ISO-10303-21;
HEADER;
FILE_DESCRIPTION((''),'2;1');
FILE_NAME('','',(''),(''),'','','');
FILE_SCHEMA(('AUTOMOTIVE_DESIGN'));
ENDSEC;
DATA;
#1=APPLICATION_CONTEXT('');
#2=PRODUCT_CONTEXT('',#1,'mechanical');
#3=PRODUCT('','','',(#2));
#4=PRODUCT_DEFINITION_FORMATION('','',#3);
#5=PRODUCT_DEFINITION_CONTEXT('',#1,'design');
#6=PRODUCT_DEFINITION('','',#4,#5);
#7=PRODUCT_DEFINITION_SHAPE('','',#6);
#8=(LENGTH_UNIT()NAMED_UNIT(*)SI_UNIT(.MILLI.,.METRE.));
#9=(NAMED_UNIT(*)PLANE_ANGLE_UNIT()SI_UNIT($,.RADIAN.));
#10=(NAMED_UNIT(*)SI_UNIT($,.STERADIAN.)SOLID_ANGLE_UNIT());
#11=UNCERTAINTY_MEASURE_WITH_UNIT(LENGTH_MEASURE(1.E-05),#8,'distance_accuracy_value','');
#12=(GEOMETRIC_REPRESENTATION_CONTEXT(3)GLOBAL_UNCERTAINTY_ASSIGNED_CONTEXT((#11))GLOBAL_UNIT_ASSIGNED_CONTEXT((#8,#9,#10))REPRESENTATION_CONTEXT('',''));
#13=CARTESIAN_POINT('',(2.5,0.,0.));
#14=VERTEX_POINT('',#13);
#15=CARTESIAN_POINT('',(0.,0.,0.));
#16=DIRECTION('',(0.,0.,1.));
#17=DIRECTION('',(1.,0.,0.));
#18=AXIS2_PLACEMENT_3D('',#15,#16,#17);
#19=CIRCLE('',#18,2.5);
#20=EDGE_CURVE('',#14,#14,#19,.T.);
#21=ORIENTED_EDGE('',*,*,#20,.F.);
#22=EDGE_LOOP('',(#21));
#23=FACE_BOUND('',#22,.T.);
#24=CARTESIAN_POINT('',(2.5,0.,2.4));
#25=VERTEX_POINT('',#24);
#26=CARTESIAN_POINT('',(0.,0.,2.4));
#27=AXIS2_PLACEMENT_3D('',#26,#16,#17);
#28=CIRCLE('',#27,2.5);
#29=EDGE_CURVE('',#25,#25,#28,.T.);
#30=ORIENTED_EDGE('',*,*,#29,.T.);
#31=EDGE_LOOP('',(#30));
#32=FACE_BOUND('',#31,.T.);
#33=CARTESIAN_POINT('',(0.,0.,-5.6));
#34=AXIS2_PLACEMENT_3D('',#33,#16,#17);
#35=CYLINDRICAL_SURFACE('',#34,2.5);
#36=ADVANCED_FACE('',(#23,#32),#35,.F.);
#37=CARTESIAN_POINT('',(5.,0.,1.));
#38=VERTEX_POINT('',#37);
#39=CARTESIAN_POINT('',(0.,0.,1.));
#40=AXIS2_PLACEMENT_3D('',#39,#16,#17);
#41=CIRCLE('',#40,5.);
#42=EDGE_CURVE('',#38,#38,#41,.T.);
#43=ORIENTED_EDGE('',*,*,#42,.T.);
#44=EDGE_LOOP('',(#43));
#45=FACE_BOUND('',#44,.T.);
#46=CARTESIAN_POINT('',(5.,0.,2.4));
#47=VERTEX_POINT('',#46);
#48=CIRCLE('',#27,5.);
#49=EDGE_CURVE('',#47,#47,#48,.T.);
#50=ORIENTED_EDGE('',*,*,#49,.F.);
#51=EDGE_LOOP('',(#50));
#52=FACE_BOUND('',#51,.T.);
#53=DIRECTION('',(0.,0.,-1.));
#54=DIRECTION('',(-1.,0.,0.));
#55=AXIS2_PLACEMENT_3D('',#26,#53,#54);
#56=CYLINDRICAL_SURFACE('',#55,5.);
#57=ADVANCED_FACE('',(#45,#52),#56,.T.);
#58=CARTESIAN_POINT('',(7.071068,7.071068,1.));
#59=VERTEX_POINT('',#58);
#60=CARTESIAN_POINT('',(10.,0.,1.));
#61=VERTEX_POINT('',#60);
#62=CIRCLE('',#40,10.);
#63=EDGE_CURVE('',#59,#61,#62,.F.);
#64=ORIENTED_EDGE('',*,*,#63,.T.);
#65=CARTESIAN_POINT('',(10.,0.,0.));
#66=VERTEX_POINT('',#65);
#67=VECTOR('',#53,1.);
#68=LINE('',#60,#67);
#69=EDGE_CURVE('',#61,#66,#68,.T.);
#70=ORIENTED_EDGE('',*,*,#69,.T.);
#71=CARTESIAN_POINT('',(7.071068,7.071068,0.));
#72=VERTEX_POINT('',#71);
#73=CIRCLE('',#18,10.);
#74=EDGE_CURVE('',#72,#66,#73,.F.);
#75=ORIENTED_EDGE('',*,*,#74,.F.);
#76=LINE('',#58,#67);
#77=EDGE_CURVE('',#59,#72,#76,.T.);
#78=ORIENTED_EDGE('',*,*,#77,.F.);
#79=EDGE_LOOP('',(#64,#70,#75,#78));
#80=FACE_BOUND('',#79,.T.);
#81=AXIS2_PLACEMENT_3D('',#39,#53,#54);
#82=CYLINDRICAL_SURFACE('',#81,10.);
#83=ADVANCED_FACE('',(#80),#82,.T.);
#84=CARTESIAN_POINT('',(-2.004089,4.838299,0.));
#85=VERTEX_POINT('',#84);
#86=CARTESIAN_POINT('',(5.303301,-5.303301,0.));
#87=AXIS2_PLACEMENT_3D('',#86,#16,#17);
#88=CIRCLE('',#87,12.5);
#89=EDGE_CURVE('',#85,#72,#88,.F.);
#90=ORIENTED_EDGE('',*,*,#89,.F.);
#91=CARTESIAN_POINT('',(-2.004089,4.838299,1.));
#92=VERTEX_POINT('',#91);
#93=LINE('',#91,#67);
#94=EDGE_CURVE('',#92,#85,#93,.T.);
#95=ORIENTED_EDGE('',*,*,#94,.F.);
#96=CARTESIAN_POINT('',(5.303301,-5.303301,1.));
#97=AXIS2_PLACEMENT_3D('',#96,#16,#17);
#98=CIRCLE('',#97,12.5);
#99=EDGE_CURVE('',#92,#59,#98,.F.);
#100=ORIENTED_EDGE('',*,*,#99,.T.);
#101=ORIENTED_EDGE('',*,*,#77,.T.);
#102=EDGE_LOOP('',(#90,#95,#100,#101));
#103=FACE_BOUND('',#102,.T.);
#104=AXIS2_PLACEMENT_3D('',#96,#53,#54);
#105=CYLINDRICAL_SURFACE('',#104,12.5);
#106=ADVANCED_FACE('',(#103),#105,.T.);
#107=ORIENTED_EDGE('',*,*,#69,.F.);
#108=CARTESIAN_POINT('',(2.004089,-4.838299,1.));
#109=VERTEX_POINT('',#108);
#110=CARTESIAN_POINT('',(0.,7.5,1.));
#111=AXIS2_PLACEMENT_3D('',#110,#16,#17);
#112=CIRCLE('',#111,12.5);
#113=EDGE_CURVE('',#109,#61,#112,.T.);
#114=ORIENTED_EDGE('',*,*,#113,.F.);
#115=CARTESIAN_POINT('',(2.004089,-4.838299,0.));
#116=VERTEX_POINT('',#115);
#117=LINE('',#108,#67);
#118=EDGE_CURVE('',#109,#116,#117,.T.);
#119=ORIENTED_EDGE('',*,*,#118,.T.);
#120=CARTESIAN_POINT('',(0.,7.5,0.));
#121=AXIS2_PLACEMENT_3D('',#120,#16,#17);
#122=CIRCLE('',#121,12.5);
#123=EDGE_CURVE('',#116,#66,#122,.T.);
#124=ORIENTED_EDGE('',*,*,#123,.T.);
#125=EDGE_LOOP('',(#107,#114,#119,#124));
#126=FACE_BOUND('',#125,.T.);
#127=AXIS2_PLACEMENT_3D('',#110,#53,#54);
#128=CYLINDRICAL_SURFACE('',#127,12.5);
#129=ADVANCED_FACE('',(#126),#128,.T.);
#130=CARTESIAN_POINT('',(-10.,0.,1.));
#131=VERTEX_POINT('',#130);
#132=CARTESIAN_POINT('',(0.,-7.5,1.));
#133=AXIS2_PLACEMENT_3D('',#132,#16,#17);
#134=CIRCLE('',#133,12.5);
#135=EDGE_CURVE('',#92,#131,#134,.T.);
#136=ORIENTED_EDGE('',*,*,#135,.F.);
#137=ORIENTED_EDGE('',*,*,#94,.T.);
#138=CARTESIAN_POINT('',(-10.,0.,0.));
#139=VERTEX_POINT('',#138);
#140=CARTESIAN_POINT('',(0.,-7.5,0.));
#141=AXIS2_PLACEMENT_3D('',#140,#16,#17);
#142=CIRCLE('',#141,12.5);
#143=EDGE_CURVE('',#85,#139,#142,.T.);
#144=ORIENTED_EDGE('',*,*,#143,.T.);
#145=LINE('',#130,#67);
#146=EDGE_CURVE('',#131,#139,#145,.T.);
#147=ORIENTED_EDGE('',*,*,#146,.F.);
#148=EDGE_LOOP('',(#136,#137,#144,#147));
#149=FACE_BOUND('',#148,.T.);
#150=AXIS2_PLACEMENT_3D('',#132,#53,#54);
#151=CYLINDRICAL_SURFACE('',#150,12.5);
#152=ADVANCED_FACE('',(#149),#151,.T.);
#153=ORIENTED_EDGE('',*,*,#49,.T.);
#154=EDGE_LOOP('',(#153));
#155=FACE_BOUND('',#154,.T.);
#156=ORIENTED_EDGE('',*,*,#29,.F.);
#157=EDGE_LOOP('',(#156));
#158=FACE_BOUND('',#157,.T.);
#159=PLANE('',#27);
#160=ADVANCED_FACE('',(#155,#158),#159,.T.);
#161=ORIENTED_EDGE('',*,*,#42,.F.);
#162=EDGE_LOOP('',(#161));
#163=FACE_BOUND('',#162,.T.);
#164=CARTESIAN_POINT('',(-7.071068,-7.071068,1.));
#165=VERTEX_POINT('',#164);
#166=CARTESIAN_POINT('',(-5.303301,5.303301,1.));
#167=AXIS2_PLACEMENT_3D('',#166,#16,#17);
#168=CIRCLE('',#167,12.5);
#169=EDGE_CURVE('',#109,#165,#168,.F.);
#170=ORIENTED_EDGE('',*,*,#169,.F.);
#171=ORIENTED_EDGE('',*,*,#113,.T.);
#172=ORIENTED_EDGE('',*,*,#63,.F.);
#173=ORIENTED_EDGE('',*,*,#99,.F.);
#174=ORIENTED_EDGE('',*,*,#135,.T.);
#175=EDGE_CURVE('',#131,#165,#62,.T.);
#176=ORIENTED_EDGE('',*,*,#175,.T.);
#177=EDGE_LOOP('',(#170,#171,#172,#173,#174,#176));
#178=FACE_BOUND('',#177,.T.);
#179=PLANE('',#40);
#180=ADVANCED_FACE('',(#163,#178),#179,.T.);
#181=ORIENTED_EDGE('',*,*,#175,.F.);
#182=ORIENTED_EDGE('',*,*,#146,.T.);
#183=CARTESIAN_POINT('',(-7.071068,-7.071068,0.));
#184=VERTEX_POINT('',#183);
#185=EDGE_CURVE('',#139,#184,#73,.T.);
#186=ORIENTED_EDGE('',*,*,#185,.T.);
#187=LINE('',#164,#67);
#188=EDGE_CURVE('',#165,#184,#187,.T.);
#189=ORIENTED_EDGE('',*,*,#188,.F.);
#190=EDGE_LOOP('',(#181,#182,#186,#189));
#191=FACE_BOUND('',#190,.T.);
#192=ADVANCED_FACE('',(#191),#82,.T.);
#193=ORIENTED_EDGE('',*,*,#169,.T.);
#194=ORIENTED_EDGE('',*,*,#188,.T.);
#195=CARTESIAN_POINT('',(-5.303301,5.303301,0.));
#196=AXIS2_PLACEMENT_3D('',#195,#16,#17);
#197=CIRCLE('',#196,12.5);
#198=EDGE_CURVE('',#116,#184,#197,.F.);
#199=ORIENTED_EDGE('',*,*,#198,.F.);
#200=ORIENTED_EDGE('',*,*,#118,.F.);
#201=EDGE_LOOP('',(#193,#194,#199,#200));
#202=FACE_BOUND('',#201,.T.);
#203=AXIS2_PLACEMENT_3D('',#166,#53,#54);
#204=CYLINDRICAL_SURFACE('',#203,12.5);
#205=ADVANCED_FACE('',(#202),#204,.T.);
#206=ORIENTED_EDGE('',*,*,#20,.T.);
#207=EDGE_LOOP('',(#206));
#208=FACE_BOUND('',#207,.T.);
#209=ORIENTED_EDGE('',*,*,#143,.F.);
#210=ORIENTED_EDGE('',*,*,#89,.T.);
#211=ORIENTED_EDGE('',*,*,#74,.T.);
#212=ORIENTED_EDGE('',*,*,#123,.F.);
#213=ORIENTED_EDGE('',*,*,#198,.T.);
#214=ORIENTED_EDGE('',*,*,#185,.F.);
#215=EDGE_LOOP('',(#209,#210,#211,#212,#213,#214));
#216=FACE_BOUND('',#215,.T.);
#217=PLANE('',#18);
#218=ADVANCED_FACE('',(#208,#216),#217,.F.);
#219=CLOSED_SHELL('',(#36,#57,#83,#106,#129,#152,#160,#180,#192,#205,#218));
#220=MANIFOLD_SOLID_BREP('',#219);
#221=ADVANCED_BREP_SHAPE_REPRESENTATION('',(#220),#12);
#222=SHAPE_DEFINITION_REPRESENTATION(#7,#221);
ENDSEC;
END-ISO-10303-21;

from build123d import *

# Parameters (mm, degrees)
BOSS_EXTRUDE1_DEPTH = 1
SKETCH2_R           = 5
BOSS_EXTRUDE2_DEPTH = 1.4
SKETCH3_R           = 2.5
CUT_EXTRUDE1_DEPTH  = 8


with BuildPart() as part:
    # Sketch1 → Boss-Extrude1 (new body)
    with BuildSketch(Plane.XY):
        with BuildLine():
            ThreePointArc((-2.00408914, 4.838299183), (-6.471230468, 3.194539552), (-10, 0))
            ThreePointArc((-10, 0), (-9.238795325, -3.826834324), (-7.071067812, -7.071067812))
            ThreePointArc((-7.071067812, -7.071067812), (-2.316970366, -6.834731526), (2.00408914, -4.838299183))
            ThreePointArc((2.00408914, -4.838299183), (6.471230468, -3.194539552), (10, 0))
            ThreePointArc((10, 0), (9.238795325, 3.826834324), (7.071067812, 7.071067812))
            ThreePointArc((7.071067812, 7.071067812), (2.316970366, 6.834731526), (-2.00408914, 4.838299183))
        make_face()
    extrude(amount=BOSS_EXTRUDE1_DEPTH)

    # Sketch2 → Boss-Extrude2 (add)
    with BuildSketch(Plane.XY.offset(1)):
        Circle(SKETCH2_R)
    extrude(amount=BOSS_EXTRUDE2_DEPTH)

    # Sketch3 → Cut-Extrude1 (cut)
    with BuildSketch(Plane.XY.offset(2.4)):
        Circle(SKETCH3_R)
    extrude(amount=-CUT_EXTRUDE1_DEPTH, mode=Mode.SUBTRACT)


solid = part.part
